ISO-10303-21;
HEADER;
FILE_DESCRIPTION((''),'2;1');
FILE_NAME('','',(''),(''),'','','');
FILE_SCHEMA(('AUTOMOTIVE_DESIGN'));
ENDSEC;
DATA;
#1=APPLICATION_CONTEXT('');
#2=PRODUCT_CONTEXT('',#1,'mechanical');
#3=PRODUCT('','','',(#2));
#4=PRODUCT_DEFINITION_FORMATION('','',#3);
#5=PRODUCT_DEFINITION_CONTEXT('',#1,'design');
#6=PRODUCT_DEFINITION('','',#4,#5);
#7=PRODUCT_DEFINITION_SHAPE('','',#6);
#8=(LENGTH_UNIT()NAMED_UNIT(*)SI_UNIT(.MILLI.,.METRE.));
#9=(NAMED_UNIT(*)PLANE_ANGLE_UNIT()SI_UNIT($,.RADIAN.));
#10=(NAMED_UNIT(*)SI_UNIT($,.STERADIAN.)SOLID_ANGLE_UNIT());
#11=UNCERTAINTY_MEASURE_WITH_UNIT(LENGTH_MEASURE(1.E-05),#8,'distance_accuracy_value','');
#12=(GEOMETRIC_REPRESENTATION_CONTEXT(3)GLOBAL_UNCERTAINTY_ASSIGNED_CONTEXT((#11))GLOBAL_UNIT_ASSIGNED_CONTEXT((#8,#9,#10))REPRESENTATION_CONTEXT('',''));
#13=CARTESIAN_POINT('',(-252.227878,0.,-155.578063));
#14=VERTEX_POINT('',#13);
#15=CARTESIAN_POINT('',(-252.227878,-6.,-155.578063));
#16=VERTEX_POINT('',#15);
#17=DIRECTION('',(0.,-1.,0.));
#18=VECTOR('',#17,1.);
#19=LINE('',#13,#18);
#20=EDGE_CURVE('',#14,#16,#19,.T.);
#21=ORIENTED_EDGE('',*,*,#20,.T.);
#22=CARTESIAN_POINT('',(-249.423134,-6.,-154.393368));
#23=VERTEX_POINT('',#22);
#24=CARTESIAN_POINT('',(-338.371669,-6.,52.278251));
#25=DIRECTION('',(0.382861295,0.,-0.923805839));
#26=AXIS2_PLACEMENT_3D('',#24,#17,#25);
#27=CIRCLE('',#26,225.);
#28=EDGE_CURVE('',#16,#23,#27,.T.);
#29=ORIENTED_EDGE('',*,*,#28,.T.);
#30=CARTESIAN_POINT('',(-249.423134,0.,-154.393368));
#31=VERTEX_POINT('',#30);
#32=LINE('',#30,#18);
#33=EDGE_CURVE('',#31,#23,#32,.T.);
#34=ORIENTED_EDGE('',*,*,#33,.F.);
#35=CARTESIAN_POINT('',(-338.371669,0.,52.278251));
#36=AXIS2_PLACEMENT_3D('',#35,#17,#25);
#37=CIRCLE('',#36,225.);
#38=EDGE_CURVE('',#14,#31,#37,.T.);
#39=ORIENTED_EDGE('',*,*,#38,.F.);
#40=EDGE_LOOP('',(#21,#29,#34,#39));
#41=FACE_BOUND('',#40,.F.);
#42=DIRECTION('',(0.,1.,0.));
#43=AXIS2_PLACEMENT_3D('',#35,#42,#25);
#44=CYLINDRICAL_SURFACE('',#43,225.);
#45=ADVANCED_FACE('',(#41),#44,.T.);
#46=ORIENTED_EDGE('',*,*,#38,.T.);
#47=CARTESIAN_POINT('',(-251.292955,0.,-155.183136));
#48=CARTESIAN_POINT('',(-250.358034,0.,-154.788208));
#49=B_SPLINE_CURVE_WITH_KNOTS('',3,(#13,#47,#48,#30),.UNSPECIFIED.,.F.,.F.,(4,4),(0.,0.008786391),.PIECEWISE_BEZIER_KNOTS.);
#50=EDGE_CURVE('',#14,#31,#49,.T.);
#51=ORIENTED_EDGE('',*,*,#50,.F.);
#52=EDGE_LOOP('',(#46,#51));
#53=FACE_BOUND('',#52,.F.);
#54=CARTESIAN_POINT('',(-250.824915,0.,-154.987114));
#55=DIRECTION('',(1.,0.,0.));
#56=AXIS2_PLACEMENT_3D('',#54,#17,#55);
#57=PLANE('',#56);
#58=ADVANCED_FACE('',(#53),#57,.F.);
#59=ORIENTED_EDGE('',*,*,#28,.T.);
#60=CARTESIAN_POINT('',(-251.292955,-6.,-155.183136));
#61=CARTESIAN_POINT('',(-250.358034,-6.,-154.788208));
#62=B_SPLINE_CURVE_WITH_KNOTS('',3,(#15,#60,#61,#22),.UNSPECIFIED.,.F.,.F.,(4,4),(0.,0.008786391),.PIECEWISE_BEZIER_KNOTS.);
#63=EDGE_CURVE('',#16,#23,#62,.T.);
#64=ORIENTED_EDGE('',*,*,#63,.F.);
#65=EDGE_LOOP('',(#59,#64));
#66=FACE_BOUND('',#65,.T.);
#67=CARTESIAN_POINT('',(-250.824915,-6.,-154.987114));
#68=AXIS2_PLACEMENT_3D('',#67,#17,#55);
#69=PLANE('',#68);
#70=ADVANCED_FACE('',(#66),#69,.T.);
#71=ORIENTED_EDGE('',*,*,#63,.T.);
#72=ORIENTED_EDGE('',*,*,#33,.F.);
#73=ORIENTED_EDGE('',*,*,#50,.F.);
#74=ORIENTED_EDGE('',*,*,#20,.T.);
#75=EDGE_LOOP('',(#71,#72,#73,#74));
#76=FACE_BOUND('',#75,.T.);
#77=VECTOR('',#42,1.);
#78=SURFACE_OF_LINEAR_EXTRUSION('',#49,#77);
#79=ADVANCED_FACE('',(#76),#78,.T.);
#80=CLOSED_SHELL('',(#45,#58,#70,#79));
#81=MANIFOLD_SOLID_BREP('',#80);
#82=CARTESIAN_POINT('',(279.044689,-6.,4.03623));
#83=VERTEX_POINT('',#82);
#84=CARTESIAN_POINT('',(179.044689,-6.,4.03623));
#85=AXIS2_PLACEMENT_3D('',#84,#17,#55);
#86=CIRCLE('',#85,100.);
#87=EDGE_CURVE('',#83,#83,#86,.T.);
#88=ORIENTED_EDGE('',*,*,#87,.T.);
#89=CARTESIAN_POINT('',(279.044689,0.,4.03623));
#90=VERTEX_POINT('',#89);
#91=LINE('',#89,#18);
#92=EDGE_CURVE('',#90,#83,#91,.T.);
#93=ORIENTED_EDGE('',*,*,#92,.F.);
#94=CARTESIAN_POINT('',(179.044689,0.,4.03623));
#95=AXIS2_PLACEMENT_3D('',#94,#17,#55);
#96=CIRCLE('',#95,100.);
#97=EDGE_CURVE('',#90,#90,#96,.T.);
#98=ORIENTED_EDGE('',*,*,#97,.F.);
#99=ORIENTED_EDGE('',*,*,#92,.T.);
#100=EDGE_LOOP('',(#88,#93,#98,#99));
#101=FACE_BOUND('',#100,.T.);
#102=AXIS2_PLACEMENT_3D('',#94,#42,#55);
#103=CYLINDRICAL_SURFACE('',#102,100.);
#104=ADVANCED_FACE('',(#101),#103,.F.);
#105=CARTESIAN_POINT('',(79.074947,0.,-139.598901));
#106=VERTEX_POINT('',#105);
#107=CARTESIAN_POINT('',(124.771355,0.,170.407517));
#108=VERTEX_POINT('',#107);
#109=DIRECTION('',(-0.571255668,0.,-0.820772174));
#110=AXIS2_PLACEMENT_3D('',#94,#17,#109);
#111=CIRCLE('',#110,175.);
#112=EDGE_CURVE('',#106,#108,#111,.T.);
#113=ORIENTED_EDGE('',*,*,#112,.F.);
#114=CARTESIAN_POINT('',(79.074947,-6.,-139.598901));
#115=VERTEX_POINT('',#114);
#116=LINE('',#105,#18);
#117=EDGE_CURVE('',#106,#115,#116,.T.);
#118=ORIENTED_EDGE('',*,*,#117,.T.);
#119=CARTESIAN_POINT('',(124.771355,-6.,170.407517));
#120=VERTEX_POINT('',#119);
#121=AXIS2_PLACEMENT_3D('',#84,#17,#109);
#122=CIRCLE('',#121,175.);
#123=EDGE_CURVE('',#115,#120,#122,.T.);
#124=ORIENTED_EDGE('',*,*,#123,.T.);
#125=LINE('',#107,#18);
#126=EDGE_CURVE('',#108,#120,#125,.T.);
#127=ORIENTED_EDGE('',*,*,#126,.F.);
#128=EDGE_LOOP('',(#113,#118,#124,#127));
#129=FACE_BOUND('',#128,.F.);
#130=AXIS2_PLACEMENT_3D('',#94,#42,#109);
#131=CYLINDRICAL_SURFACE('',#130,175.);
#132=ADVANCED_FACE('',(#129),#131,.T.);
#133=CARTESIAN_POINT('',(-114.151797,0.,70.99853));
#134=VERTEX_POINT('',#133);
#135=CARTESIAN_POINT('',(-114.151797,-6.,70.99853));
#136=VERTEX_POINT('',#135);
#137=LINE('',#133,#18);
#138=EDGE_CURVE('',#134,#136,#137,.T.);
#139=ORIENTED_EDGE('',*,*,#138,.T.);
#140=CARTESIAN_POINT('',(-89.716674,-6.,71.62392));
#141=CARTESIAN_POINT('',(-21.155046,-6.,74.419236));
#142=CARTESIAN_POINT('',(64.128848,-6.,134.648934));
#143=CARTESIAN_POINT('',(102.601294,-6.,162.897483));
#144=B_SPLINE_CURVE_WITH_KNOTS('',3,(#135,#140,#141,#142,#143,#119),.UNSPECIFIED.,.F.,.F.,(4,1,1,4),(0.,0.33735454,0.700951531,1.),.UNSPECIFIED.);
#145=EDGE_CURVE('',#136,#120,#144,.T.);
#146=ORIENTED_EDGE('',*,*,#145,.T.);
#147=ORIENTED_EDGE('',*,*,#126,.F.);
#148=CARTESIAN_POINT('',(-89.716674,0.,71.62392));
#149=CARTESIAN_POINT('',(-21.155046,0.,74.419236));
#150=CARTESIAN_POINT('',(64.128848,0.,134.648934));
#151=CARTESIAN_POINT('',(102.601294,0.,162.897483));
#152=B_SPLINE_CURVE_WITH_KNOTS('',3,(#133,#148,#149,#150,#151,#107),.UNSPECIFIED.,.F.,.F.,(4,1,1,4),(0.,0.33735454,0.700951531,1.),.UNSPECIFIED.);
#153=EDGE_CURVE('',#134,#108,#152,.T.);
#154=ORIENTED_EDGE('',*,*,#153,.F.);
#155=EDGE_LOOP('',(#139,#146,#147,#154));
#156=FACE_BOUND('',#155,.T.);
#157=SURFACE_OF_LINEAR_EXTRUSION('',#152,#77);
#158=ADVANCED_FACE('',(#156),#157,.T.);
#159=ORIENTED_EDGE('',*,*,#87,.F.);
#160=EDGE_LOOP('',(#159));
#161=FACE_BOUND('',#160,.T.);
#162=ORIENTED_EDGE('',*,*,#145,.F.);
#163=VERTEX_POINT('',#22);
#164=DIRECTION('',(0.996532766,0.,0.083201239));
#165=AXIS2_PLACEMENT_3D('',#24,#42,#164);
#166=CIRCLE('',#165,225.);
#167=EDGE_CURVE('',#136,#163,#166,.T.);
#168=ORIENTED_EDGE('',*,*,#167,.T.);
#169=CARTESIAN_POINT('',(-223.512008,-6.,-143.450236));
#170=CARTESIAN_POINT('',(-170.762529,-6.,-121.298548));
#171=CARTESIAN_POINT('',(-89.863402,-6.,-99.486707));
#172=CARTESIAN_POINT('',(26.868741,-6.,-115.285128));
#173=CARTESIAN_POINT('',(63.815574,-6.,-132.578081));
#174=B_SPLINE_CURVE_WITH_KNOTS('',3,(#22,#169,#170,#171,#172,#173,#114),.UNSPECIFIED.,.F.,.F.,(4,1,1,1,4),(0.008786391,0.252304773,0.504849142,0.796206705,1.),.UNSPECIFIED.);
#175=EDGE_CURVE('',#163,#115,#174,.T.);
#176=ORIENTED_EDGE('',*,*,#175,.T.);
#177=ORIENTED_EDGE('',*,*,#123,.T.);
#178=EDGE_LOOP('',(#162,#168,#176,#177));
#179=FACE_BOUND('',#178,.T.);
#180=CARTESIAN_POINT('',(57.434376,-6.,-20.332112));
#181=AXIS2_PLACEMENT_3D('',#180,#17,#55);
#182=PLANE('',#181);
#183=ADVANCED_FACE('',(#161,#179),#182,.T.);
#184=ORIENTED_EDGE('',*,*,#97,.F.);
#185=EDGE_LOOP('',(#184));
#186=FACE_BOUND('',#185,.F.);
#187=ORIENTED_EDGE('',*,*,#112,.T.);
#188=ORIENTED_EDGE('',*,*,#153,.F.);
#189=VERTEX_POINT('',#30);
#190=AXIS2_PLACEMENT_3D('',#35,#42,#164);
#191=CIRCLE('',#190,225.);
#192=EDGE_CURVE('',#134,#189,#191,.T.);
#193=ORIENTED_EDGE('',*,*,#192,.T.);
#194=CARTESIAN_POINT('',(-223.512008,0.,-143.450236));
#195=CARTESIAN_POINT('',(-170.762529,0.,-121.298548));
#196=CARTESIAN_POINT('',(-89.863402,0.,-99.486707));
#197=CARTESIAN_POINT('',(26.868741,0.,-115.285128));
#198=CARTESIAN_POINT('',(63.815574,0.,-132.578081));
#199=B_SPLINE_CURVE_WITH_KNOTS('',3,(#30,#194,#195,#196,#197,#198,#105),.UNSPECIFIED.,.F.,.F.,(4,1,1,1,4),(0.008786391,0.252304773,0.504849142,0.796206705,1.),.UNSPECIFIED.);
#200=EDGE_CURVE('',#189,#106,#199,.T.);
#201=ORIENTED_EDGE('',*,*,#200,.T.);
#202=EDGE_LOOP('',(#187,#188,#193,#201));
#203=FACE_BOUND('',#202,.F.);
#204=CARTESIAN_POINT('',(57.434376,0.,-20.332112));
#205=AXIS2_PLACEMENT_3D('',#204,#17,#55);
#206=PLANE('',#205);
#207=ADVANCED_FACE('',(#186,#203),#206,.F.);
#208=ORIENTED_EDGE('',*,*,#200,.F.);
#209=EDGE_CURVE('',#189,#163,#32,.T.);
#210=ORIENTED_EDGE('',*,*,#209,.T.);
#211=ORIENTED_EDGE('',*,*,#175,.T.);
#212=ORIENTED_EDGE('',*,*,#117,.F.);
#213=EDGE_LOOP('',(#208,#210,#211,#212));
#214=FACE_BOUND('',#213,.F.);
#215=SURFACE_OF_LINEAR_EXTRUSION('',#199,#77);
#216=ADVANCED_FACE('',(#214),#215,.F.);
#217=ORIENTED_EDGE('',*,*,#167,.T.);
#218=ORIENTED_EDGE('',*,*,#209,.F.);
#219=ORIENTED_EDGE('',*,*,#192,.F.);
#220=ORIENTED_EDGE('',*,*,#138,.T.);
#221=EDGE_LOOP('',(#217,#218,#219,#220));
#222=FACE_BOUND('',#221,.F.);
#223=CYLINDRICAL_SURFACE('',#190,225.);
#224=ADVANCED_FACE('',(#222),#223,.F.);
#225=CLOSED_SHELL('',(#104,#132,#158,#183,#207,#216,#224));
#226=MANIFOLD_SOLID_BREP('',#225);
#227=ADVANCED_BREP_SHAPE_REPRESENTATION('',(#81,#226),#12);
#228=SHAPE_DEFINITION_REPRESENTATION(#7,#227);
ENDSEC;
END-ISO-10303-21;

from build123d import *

# Parameters (mm, degrees)
F0_R     = 100
F1_DEPTH = 6


with BuildPart() as f1:
    # F0 (on Front) → F1 (new body)
    with BuildSketch(Plane.XZ):
        with BuildLine():
            add(Edge.make_bspline(
                [(-249.4231343644, -154.3933682386), (-223.5120079814, -143.4502364599), (-170.7625289022, -121.2985476431), (-89.863401919, -99.4867072523), (26.868741293, -115.2851283564), (63.815574465, -132.5780814532), (79.0749468126, -139.5989009539)],
                knots=[0.0087863907, 0.0087863907, 0.0087863907, 0.0087863907, 0.2523047734, 0.5048491424, 0.7962067051, 1, 1, 1, 1], degree=3))
            ThreePointArc((79.0749468126, -139.5989009539), (352.173907442, -21.4838337309), (124.771354619, 170.4075167035))
            add(Edge.make_bspline(
                [(-114.1517968979, 70.9985295702), (-89.7166741497, 71.6239199153), (-21.1550456487, 74.4192361381), (64.1288480457, 134.6489340769), (102.6012936343, 162.8974831582), (124.771354619, 170.4075167035)],
                knots=[0, 0, 0, 0, 0.3373545398, 0.7009515305, 1, 1, 1, 1], degree=3))
            ThreePointArc((-114.1517968979, 70.9985295702), (-145.449431752, -63.5060756857), (-249.4231343644, -154.3933682386))
        make_face()
        with Locations((179.0446887279, 4.0362295031)):
            Circle(F0_R, mode=Mode.SUBTRACT)
    extrude(amount=F1_DEPTH)


with BuildPart() as f1b:
    # F0 (on Front) → F1, piece 2 (new body)
    with BuildSketch(Plane.XZ):
        with BuildLine():
            ThreePointArc((-252.2278778366, -155.5780629728), (-250.8235021784, -154.9904598553), (-249.4231343644, -154.3933682386))
            add(Edge.make_bspline(
                [(-252.2278778366, -155.5780629728), (-251.2929551043, -155.1831364557), (-250.3580341362, -154.788207554), (-249.4231343644, -154.3933682386)],
                knots=[0, 0, 0, 0, 0.0087863907, 0.0087863907, 0.0087863907, 0.0087863907], degree=3))
        make_face()
    extrude(amount=F1_DEPTH)


solid = Compound([f1.part, f1b.part])
